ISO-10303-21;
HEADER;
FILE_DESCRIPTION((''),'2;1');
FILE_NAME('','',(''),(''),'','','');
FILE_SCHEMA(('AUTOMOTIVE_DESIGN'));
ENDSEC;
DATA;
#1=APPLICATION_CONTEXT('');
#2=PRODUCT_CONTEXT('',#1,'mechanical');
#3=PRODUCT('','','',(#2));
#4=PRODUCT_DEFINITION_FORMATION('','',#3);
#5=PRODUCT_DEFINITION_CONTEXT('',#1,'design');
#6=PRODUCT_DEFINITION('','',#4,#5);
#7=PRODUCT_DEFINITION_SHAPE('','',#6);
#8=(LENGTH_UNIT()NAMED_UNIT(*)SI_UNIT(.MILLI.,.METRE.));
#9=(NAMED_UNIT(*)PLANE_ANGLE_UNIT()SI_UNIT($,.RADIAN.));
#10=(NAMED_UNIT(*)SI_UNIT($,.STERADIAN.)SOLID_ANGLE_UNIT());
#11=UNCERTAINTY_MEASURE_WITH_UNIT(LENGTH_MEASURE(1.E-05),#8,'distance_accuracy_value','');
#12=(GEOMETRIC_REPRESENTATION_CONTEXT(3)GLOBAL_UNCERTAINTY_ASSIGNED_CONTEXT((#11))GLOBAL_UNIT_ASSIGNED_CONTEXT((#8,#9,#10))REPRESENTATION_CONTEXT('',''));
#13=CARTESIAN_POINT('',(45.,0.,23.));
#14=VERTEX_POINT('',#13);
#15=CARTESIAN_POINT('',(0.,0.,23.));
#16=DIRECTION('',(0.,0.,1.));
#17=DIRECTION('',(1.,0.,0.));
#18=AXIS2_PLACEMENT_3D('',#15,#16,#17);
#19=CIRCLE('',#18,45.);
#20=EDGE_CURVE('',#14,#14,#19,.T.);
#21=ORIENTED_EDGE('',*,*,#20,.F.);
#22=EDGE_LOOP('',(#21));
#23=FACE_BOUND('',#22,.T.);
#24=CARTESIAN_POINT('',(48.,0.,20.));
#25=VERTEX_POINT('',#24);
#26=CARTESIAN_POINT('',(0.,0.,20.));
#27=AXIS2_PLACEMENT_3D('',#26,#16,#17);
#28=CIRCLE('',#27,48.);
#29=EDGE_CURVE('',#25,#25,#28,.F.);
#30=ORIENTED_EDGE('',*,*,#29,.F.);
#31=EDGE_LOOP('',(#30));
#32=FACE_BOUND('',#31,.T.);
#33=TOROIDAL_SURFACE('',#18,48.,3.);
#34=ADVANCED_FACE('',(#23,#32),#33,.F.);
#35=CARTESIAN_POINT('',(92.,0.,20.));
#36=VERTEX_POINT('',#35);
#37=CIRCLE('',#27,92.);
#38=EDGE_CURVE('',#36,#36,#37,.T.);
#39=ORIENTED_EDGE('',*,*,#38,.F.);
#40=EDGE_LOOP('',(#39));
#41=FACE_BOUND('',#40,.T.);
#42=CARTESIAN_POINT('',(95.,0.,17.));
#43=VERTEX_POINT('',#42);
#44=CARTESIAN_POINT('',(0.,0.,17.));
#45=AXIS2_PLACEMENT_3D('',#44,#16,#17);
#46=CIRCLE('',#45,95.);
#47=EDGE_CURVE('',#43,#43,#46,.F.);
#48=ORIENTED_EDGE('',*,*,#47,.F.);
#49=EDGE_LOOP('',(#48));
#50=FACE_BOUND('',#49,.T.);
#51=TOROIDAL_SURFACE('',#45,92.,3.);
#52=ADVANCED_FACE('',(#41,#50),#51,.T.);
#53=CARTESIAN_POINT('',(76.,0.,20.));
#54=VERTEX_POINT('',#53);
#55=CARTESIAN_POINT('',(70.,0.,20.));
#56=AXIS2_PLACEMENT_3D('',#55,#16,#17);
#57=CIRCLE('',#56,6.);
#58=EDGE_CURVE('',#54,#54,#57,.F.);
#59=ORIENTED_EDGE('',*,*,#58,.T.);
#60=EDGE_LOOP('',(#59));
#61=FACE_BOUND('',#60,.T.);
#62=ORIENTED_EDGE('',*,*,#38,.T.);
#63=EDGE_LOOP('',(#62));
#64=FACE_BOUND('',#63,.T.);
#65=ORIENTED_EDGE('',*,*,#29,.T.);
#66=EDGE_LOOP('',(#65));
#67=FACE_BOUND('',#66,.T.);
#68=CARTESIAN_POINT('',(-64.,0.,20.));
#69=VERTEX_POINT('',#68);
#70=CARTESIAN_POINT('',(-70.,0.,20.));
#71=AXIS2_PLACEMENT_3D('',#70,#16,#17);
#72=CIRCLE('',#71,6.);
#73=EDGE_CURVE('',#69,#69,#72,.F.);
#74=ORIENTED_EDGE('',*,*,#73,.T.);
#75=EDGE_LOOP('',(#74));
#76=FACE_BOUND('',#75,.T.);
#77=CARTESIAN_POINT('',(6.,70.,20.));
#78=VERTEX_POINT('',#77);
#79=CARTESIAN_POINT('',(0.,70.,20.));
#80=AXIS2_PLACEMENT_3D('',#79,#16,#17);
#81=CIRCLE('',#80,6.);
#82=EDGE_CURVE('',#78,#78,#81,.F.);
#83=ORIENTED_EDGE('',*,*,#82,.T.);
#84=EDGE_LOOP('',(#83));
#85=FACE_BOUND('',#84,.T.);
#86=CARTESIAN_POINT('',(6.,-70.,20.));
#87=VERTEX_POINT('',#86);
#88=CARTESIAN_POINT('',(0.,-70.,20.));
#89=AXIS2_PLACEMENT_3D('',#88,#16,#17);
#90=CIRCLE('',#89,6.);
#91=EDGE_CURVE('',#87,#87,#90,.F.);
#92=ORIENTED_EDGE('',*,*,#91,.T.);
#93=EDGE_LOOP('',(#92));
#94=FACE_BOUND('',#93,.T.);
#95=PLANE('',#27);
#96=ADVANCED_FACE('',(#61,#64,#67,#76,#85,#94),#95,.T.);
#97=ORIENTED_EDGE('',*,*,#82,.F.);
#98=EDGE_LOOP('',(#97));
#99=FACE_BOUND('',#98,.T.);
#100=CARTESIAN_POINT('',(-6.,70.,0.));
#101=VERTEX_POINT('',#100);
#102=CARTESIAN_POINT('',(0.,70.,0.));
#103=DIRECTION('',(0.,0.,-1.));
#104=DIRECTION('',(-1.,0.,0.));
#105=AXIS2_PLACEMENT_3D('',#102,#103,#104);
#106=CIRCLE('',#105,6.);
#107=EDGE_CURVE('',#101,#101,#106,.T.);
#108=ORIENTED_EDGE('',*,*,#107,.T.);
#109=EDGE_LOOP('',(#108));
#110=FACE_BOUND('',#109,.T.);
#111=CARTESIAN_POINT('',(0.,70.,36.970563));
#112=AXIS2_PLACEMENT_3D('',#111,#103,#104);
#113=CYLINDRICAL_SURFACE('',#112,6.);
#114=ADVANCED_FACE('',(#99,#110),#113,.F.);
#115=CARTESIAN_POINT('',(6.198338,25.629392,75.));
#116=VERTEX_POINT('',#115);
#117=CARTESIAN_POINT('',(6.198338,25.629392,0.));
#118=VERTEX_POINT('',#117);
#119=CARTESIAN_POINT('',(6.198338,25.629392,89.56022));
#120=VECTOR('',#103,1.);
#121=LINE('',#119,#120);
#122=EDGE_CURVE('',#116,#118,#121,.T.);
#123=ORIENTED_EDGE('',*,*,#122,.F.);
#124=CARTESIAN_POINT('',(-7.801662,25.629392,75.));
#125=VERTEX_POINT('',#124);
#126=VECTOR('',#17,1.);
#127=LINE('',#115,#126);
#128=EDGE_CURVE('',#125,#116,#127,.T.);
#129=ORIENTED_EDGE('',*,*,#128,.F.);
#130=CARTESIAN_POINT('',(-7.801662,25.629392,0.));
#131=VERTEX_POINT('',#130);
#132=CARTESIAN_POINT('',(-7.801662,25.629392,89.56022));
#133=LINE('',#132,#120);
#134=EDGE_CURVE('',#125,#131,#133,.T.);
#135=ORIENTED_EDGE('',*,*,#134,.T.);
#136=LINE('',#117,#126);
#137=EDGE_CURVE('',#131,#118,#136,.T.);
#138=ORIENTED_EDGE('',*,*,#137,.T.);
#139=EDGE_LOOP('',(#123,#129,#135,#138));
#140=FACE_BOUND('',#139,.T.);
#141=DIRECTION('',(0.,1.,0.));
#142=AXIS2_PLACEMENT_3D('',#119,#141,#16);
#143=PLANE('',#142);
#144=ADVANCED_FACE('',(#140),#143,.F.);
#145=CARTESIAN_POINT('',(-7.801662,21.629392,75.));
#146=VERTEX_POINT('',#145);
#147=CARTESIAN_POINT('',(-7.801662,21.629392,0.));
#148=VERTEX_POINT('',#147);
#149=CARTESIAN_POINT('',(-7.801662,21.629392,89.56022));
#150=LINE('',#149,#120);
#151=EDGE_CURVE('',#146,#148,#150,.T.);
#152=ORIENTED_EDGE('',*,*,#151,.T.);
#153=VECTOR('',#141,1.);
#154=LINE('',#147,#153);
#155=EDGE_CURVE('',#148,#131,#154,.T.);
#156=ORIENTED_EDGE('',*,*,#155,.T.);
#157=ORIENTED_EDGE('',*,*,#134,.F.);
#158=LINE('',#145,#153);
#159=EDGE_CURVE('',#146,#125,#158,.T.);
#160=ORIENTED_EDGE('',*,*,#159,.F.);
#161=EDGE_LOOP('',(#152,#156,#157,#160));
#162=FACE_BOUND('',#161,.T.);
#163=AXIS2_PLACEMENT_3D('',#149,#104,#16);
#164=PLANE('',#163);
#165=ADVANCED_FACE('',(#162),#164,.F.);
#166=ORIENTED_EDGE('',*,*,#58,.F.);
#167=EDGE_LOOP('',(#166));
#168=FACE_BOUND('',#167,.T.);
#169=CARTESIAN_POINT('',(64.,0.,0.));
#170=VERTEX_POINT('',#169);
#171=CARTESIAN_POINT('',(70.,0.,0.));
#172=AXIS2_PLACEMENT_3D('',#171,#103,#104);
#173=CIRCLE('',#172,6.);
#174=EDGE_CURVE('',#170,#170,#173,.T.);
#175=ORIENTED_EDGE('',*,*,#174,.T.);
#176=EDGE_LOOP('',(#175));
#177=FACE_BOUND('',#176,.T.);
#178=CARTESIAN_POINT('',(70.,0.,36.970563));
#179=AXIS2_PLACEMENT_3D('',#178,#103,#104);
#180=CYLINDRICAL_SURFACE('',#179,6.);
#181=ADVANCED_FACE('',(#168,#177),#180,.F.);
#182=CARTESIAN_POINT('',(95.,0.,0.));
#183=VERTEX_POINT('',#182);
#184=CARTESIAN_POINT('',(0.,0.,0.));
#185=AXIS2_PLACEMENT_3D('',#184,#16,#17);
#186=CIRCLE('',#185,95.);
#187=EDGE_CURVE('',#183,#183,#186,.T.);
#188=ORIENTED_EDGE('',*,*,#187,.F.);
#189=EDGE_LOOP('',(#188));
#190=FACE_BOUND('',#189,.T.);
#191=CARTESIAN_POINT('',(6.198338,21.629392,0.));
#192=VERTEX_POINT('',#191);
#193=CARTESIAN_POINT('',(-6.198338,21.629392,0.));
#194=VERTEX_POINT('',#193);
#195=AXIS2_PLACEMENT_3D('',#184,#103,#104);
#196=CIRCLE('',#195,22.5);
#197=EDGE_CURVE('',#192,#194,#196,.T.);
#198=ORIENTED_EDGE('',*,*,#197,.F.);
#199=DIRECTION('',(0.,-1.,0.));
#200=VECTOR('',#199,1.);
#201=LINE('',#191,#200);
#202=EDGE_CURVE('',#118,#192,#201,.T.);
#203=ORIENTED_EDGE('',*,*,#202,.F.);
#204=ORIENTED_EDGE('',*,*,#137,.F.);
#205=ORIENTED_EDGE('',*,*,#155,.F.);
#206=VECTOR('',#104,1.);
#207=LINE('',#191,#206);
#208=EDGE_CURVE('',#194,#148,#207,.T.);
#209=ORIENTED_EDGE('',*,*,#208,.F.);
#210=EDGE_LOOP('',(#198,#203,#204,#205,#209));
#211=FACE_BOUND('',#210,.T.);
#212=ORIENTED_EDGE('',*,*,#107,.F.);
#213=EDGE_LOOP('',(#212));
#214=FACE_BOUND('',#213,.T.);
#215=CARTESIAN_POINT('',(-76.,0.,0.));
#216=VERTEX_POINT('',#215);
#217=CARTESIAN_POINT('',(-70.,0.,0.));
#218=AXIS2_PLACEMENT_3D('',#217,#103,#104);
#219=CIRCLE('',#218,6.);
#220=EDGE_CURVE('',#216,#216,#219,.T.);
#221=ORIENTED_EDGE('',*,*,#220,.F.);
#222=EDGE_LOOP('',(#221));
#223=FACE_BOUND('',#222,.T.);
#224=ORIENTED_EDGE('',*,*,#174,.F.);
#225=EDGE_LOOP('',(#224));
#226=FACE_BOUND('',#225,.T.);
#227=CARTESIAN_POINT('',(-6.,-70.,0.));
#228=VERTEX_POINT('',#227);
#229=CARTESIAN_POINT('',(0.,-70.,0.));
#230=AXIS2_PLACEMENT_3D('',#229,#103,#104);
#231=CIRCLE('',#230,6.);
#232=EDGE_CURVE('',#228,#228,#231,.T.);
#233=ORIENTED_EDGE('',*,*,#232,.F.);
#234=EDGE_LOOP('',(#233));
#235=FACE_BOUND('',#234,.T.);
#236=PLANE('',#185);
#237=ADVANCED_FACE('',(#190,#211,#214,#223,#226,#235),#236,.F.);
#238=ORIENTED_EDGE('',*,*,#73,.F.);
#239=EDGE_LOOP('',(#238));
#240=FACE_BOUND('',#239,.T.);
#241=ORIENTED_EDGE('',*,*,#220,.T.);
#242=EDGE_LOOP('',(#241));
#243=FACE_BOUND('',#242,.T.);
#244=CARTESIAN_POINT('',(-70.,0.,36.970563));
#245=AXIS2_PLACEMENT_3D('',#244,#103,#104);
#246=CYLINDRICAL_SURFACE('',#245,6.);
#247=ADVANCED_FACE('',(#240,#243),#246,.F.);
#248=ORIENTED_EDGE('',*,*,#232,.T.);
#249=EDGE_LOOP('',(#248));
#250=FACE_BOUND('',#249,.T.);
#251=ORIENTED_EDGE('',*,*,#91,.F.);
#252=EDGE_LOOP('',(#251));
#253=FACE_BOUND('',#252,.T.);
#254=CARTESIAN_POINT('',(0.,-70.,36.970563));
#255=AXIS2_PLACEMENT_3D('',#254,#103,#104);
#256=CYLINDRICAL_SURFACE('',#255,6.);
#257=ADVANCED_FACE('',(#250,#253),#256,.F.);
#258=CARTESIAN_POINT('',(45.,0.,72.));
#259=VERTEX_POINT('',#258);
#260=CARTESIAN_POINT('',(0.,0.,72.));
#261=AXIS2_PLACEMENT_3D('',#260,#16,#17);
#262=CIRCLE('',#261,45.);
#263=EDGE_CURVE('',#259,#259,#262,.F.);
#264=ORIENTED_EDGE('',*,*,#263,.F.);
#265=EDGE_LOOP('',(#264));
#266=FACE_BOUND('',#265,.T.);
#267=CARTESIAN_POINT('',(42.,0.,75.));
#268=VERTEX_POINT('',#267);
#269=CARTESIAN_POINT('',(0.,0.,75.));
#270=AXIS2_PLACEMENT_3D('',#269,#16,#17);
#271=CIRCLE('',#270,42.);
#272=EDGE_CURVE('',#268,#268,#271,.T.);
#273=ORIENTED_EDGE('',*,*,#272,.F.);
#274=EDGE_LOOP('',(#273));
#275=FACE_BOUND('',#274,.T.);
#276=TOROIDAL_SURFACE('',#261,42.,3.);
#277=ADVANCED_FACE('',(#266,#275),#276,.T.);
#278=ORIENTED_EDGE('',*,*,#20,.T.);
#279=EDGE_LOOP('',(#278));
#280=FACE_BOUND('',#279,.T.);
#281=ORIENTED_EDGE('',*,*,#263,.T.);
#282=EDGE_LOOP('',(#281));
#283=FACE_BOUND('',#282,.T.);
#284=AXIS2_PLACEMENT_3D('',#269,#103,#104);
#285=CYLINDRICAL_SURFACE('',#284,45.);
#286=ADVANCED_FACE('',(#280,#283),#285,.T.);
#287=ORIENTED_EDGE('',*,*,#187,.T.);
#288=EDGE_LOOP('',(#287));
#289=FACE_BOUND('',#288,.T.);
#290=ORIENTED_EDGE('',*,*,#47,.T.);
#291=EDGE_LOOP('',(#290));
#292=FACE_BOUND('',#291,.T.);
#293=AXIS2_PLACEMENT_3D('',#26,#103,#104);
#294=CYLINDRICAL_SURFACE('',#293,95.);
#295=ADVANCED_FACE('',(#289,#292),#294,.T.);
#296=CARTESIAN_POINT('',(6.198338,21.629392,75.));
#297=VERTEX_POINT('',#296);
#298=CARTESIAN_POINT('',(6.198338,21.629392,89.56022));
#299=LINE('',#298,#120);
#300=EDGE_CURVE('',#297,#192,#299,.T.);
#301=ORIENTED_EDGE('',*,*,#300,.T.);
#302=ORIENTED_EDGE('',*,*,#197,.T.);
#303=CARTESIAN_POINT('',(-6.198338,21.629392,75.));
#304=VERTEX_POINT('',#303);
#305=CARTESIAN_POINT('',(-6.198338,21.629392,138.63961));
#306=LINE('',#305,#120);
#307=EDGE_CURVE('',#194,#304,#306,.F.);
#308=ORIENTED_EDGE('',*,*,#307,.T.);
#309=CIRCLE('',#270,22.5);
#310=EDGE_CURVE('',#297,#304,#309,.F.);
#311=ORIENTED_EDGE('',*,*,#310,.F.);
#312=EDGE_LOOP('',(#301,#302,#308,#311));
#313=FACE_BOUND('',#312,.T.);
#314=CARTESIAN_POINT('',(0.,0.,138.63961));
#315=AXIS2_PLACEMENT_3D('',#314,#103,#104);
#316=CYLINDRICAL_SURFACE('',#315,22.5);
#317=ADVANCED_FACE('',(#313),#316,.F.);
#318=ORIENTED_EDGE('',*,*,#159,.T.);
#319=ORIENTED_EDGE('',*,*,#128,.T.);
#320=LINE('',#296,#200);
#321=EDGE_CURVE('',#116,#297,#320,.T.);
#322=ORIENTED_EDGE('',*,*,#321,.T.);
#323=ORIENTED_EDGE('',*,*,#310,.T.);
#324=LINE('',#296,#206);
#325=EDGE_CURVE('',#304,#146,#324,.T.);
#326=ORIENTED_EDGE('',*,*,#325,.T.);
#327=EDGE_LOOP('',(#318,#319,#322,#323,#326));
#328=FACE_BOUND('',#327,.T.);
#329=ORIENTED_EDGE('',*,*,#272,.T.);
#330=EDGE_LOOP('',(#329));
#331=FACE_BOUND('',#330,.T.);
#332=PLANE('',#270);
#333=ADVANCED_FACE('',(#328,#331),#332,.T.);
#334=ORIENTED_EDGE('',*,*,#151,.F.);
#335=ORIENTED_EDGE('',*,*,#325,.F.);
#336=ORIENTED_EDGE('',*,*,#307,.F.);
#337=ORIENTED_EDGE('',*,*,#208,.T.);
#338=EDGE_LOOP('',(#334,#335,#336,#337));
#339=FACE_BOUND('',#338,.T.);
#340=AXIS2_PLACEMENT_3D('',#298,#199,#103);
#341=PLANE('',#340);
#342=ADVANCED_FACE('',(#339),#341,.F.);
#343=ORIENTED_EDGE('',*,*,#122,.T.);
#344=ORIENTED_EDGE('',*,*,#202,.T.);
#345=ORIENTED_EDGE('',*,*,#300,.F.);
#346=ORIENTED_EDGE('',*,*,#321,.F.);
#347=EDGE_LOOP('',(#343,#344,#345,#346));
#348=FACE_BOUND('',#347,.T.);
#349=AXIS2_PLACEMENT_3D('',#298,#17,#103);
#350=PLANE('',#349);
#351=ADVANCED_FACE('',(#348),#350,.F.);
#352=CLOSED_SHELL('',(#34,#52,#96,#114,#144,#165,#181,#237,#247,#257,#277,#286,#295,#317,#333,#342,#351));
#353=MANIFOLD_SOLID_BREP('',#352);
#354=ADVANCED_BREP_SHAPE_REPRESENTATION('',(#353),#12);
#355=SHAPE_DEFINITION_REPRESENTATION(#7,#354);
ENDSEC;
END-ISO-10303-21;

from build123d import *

# Parameters (mm, degrees)
SKETCH2_R           = 95
BOSS_EXTRUDE1_DEPTH = 20
SKETCH3_R           = 45
BOSS_EXTRUDE2_DEPTH = 55
SKETCH4_R           = 22.5
CUT_EXTRUDE1_DEPTH  = 75
SKETCH5_R           = 6
CUT_EXTRUDE2_DEPTH  = 20
SKETCH6_W           = 14
SKETCH6_H           = 4
CUT_EXTRUDE3_DEPTH  = 75
FILLET1_R           = 3


with BuildPart() as part:
    # Sketch2 → Boss-Extrude1 (new body)
    with BuildSketch(Plane.XY):
        Circle(SKETCH2_R)
    extrude(amount=BOSS_EXTRUDE1_DEPTH)

    # Sketch3 → Boss-Extrude2 (add)
    with BuildSketch(Plane.XY.offset(20)):
        Circle(SKETCH3_R)
    extrude(amount=BOSS_EXTRUDE2_DEPTH)

    # Sketch4 → Cut-Extrude1 (cut)
    with BuildSketch(Plane(origin=(0, 0, 0), x_dir=(-1, 0, 0), z_dir=(0, 0, -1))):
        Circle(SKETCH4_R)
    extrude(amount=-CUT_EXTRUDE1_DEPTH, mode=Mode.SUBTRACT)

    # Sketch5 → Cut-Extrude2 (cut)
    with BuildSketch(Plane(origin=(0, 0, 0), x_dir=(-1, 0, 0), z_dir=(0, 0, -1))):
        with Locations((0, 70)):
            Circle(SKETCH5_R)
        with Locations((70, 0)):
            Circle(SKETCH5_R)
        with Locations((0, -70)):
            Circle(SKETCH5_R)
        with Locations((-70, 0)):
            Circle(SKETCH5_R)
    extrude(amount=-CUT_EXTRUDE2_DEPTH, mode=Mode.SUBTRACT)

    # Sketch6 → Cut-Extrude3 (cut)
    with BuildSketch(Plane(origin=(0, 0, 0), x_dir=(-1, 0, 0), z_dir=(0, 0, -1))):
        with Locations((0.80166167, 23.629392085)):
            Rectangle(SKETCH6_W, SKETCH6_H)
    extrude(amount=-CUT_EXTRUDE3_DEPTH, mode=Mode.SUBTRACT)

    # Fillet1
    fillet1_edges = [part.edges().sort_by_distance(p)[0] for p in [
        (-95, 0, 20),
        (-45, 0, 20),
        (-45, 0, 75),
    ]]
    fillet(fillet1_edges, radius=FILLET1_R)


solid = part.part
